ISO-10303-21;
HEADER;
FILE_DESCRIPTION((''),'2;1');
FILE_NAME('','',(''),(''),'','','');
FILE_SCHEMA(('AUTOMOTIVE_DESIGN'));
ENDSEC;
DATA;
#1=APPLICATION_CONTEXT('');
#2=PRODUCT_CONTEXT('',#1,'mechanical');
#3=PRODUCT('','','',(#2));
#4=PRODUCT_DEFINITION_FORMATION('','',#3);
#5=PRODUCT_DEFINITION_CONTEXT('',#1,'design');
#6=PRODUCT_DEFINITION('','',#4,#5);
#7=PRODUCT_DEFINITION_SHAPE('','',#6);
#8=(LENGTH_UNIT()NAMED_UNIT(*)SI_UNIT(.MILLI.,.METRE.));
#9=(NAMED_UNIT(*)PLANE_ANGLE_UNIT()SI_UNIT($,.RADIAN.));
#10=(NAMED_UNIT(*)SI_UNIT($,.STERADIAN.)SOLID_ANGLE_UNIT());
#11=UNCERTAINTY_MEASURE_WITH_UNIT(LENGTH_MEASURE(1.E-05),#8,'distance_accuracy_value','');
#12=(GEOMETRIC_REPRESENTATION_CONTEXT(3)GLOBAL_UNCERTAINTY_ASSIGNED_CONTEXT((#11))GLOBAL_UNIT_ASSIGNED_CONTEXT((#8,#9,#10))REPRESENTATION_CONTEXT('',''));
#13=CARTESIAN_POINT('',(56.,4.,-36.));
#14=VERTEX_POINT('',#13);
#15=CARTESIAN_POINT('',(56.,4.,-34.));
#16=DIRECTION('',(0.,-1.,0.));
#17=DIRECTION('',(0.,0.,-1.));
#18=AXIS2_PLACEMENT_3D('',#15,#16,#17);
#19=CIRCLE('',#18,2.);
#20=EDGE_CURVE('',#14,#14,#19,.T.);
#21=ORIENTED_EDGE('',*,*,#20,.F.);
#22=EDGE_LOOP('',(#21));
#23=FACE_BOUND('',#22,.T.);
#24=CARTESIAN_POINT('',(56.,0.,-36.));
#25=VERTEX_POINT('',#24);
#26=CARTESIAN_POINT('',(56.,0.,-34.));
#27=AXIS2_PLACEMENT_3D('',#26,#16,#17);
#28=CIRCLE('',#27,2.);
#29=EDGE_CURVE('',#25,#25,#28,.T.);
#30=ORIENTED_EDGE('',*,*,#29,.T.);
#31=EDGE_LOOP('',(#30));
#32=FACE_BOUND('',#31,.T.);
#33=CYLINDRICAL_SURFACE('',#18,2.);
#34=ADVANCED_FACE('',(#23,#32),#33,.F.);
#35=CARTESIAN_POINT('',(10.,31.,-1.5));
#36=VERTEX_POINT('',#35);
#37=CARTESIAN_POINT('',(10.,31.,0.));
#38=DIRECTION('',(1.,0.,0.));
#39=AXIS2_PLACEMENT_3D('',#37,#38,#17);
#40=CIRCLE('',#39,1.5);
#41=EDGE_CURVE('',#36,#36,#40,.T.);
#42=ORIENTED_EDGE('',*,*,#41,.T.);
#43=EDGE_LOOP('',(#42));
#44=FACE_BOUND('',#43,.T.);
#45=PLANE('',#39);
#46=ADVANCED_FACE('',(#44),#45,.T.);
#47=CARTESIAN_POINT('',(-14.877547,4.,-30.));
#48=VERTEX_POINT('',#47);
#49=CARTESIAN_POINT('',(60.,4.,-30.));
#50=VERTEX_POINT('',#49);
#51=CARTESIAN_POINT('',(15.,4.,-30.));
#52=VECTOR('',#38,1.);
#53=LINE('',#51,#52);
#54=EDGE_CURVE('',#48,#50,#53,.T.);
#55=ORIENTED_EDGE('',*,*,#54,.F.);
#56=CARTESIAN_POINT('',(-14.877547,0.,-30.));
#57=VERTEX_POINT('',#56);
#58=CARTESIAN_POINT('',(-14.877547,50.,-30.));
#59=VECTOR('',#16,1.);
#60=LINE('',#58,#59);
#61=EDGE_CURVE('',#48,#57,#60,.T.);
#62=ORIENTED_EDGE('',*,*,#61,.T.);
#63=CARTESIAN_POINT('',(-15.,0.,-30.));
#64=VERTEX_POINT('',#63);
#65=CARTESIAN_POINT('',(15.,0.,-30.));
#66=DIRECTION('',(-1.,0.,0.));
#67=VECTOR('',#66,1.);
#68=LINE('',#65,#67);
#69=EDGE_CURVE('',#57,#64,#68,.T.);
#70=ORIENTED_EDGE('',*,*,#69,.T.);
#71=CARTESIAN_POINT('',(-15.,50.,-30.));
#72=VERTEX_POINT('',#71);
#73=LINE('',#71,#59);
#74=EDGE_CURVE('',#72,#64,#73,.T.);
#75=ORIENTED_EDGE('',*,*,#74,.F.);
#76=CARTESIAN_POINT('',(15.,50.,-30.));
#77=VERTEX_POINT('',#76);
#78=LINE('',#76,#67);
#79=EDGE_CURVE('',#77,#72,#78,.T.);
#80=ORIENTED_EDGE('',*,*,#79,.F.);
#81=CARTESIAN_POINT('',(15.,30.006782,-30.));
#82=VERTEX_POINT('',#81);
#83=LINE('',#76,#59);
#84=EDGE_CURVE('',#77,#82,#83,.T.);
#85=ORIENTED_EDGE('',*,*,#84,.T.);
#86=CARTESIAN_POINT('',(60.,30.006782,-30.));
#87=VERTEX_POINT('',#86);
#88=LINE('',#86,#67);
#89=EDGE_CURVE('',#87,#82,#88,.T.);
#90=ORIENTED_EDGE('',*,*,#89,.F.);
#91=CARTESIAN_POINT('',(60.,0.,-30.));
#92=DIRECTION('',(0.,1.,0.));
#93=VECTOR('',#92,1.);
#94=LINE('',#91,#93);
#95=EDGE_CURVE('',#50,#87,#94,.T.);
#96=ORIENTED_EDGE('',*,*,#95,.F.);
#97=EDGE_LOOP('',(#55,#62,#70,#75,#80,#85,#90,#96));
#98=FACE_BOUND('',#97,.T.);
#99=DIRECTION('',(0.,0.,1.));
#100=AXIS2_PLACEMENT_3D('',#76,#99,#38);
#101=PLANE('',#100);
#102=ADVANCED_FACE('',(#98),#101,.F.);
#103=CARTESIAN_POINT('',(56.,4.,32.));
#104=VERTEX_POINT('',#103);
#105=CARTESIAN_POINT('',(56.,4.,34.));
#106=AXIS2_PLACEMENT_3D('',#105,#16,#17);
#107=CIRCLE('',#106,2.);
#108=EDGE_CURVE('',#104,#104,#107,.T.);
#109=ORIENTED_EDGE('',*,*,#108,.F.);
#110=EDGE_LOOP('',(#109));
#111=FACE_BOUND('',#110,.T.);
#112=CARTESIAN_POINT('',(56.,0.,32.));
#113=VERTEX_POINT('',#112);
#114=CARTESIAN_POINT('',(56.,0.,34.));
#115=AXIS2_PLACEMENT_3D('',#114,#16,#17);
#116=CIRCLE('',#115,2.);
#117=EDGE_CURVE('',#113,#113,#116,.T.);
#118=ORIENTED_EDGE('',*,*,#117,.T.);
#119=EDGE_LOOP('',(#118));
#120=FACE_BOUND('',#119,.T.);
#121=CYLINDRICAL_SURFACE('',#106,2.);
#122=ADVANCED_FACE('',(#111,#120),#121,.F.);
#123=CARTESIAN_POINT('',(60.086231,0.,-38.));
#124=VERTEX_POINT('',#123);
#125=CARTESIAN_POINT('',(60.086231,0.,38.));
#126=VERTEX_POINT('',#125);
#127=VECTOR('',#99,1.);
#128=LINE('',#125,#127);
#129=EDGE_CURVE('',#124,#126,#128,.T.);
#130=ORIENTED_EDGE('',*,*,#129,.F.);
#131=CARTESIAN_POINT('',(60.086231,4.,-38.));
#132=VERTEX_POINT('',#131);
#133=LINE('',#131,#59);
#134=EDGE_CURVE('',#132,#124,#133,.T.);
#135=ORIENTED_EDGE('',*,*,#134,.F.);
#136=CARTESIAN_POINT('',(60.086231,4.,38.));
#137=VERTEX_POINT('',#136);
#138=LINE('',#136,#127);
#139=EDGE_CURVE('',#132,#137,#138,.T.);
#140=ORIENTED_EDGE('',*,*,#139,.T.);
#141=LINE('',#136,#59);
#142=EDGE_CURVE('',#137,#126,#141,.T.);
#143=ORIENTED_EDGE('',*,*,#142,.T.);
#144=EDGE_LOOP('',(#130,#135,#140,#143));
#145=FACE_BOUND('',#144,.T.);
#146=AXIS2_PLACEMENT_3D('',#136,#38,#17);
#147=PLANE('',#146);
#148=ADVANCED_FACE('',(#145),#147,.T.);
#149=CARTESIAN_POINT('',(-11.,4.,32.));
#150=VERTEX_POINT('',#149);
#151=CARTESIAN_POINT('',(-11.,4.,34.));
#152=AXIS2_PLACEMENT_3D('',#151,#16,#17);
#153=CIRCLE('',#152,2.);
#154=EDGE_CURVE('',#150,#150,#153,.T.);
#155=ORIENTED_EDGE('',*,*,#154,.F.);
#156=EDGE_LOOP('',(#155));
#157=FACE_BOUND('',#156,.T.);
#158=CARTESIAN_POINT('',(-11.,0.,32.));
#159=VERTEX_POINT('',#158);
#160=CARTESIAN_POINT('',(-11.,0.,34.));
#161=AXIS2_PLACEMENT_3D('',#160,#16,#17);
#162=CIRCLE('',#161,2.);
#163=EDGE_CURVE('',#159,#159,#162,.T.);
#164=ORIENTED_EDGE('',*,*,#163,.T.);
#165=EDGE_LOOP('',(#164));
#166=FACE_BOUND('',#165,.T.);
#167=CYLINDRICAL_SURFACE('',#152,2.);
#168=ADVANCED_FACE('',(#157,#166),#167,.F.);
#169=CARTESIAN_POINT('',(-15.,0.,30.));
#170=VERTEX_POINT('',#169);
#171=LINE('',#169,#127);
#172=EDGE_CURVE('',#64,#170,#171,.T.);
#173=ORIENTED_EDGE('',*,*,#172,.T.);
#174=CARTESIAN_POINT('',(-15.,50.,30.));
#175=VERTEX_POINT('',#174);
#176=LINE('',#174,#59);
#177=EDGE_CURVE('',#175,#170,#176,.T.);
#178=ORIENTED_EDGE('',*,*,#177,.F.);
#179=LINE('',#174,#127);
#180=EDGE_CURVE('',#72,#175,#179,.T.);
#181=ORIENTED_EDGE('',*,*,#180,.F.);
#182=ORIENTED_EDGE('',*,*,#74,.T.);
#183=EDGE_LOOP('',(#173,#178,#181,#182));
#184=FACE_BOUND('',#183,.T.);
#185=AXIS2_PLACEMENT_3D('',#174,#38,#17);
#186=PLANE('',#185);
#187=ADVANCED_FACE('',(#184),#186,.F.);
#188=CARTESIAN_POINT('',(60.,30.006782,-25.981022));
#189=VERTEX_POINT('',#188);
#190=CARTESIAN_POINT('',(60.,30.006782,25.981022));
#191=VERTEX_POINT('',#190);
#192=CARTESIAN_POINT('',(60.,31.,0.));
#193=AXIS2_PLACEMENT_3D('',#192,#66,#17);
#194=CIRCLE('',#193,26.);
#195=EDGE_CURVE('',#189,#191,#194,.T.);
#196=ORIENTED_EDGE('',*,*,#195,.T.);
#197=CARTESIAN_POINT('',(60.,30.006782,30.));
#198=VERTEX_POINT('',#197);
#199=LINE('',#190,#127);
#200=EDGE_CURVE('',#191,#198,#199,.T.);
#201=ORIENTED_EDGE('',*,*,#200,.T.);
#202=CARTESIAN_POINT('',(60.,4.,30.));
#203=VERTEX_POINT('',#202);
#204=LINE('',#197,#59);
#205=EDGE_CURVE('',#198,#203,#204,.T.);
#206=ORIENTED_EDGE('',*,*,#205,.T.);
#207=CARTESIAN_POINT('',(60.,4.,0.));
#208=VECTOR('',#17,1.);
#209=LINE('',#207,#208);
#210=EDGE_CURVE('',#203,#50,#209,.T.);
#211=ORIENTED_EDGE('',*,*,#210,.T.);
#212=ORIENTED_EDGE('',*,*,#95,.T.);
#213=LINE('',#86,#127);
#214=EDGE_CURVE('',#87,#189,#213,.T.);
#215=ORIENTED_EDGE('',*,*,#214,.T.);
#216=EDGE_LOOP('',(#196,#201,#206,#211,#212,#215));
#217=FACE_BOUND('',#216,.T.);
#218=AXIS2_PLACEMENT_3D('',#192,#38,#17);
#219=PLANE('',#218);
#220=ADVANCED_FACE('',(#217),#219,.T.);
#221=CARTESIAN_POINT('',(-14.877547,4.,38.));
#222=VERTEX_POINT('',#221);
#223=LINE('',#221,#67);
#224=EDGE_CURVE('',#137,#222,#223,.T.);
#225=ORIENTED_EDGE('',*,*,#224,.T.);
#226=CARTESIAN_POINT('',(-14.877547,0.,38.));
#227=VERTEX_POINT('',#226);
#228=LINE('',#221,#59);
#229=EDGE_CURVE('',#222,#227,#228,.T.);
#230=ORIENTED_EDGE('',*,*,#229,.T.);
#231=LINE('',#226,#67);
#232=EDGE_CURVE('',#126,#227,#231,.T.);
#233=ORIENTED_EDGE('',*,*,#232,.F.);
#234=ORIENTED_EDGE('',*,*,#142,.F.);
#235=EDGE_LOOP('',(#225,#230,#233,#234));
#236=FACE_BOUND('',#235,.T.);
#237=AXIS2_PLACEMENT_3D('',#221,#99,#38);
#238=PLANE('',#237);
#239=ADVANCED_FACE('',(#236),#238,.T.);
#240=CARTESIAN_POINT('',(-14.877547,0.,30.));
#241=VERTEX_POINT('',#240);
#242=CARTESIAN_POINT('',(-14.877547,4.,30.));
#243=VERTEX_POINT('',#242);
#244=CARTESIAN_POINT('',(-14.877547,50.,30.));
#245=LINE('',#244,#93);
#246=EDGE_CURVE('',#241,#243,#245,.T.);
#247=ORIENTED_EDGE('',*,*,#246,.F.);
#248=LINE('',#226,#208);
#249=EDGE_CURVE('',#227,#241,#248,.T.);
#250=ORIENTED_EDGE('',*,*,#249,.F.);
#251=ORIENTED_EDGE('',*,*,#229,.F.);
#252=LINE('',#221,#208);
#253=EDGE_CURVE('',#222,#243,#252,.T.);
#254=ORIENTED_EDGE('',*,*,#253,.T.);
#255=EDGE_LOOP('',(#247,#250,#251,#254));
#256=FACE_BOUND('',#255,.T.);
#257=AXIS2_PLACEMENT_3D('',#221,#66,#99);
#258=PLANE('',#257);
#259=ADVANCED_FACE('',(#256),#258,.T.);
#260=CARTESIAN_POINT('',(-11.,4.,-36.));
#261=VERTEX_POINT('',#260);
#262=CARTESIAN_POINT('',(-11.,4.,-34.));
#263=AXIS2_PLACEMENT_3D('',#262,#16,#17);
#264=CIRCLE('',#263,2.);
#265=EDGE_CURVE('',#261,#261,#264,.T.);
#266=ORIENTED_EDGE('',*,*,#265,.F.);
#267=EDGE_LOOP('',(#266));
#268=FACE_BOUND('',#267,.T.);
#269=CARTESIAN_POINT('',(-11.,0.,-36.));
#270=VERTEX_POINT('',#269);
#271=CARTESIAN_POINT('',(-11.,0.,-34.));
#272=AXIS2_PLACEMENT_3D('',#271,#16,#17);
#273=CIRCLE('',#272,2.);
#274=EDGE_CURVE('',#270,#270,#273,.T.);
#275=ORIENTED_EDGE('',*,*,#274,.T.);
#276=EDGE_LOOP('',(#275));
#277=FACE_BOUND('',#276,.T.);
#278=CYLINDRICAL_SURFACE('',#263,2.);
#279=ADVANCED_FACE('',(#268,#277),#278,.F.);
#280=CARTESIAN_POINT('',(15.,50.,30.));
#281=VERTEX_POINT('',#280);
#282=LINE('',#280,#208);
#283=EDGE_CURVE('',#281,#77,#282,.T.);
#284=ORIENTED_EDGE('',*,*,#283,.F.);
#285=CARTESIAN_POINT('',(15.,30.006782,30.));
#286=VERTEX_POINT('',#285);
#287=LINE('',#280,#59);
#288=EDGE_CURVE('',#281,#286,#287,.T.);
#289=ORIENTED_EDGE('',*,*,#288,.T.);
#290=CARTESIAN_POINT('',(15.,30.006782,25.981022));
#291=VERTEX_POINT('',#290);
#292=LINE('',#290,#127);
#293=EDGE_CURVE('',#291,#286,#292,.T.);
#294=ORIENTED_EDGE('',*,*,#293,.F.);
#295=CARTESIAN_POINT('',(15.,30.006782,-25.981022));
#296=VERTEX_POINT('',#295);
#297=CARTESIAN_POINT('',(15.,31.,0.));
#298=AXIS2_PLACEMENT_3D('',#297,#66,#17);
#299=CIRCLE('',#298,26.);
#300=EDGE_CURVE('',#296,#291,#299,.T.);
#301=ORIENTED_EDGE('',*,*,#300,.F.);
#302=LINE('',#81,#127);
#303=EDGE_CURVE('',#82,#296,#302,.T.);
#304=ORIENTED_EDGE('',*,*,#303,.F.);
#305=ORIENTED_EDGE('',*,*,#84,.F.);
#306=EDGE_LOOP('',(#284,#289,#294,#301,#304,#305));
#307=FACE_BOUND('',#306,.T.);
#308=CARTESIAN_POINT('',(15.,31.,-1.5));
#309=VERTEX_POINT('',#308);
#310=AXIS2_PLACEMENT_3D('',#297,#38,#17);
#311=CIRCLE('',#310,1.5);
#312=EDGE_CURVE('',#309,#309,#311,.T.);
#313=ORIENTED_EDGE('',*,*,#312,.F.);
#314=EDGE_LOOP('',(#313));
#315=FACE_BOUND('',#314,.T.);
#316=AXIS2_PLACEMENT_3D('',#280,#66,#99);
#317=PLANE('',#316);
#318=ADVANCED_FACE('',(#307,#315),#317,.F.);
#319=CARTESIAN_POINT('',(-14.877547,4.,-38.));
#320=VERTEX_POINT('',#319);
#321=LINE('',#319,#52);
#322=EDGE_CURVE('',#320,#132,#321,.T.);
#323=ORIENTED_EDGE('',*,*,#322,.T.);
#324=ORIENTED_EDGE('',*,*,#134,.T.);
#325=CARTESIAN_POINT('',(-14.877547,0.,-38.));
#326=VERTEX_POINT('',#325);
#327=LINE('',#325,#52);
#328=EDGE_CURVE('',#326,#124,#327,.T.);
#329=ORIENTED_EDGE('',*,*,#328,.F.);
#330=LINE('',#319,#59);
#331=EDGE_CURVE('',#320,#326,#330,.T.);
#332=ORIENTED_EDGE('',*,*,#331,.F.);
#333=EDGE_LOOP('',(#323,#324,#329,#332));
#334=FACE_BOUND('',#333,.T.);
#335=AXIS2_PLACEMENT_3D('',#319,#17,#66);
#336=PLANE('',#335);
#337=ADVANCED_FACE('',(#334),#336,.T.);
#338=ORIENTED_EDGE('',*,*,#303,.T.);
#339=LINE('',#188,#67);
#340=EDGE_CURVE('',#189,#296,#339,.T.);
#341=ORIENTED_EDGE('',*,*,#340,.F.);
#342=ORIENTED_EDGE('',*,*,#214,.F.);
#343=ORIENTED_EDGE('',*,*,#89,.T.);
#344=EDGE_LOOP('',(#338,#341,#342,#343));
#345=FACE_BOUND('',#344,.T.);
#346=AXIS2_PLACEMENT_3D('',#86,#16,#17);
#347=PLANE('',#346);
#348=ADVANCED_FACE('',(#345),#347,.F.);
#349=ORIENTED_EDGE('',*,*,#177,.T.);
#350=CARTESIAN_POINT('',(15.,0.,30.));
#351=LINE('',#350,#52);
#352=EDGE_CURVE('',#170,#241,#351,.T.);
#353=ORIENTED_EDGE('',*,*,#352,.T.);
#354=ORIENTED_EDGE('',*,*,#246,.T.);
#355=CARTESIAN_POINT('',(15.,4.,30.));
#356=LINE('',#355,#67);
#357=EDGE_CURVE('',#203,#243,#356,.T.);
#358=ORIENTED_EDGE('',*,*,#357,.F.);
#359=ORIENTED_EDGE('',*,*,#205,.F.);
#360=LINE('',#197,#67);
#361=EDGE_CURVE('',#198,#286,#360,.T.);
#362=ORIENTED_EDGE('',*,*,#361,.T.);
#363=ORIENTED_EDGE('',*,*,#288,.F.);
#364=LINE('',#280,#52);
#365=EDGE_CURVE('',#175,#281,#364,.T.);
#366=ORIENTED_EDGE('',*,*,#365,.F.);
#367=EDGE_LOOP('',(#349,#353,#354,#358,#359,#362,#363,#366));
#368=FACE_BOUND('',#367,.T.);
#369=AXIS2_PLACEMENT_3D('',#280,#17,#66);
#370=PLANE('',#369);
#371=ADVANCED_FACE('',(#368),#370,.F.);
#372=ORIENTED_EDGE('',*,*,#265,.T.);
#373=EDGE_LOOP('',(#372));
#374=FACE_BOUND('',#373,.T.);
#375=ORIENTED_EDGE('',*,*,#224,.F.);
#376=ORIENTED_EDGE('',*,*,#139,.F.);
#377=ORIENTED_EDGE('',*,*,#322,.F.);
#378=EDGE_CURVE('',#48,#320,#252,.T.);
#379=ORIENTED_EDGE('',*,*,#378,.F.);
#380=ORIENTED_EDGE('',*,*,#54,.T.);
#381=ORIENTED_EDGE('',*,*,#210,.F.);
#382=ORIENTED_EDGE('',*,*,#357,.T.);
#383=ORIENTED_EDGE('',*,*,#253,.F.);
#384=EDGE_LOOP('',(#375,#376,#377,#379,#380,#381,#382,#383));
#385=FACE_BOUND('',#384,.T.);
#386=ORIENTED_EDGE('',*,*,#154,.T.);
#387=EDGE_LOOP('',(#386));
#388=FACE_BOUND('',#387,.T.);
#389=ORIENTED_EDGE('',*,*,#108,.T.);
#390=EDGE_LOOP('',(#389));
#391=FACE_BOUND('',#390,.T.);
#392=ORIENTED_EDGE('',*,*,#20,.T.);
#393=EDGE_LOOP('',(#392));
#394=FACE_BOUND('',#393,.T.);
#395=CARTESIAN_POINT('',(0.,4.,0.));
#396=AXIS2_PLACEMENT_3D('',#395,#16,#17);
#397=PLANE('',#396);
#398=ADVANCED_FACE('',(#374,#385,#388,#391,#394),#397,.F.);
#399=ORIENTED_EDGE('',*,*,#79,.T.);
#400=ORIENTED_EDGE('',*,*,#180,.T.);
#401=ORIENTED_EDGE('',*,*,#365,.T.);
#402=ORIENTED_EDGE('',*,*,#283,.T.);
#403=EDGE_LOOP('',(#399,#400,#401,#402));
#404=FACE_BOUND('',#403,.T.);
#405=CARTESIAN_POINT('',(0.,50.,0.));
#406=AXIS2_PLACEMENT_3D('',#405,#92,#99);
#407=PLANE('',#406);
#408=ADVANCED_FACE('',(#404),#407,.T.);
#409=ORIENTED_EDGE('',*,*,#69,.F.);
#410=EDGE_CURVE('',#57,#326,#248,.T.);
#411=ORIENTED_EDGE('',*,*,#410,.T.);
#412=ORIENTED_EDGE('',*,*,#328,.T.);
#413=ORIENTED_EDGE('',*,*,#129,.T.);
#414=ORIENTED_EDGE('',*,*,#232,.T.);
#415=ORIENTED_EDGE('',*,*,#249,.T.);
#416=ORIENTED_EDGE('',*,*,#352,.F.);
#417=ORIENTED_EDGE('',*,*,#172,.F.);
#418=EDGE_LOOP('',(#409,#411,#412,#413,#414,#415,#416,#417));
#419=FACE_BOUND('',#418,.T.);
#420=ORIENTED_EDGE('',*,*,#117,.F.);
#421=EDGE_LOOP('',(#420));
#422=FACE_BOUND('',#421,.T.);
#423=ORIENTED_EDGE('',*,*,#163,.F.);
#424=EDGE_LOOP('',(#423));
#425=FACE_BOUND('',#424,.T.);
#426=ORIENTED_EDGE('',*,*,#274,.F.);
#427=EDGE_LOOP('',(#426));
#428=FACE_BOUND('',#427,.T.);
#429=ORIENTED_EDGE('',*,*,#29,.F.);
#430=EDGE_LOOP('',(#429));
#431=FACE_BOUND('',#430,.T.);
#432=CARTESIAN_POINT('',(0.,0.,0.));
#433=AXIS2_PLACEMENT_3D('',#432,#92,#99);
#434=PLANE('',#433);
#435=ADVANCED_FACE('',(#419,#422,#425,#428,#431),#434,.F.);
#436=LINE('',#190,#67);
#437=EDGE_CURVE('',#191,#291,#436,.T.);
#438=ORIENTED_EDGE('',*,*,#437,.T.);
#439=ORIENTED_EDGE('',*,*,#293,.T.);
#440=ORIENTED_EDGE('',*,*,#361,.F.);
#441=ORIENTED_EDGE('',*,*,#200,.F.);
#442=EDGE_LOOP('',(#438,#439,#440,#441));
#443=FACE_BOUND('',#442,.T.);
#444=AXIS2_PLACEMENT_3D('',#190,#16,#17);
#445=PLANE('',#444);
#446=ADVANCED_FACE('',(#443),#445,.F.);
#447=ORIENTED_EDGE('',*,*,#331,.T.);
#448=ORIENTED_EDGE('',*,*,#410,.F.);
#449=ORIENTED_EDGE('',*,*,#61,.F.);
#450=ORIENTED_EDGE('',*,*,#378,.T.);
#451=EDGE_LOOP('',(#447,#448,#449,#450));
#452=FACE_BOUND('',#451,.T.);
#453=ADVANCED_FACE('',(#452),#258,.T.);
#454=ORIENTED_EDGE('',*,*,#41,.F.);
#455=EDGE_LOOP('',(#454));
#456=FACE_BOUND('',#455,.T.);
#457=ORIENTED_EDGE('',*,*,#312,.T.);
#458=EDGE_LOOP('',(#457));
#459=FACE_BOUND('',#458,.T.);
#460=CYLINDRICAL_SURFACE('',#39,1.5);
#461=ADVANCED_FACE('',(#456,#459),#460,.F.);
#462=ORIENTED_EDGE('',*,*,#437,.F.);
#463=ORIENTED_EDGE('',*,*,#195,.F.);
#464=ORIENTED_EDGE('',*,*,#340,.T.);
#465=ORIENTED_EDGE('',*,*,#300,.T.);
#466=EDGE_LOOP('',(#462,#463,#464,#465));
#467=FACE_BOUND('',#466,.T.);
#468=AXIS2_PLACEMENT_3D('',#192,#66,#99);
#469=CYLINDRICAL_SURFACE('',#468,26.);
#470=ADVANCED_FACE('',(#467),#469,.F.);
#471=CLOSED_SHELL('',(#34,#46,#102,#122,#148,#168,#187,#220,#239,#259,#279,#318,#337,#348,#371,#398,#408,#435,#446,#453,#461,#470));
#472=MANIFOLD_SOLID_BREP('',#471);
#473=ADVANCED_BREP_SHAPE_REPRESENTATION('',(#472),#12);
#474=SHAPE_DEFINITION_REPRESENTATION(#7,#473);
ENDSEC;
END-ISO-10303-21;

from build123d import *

# Parameters (mm, degrees)
SKETCH1_W           = 30
SKETCH1_H           = 60
BOSS_EXTRUDE1_DEPTH = 50
BOSS_EXTRUDE2_DEPTH = 45
SKETCH3_W           = 74.963778589
SKETCH3_H           = 76
SKETCH3_R           = 2
BOSS_EXTRUDE3_DEPTH = 4
SKETCH4_R           = 1.5
CUT_EXTRUDE1_DEPTH  = 5


with BuildPart() as part:
    # Sketch1 → Boss-Extrude1 (new body)
    with BuildSketch(Plane(origin=(0, 0, 0), x_dir=(1, 0, 0), z_dir=(0, 1, 0))):
        Rectangle(SKETCH1_W, SKETCH1_H)
    extrude(amount=BOSS_EXTRUDE1_DEPTH)

    # Sketch2 → Boss-Extrude2 (add)
    with BuildSketch(Plane(origin=(15, 0, 0), x_dir=(0, 0, -1), z_dir=(1, 0, 0))):
        with BuildLine():
            Line((-25.98102227, 30.006782085), (-30, 30.006782085))
            Line((-30, 30.006782085), (-30, 0))
            Line((-30, 0), (30, 0))
            Line((30, 0), (30, 30.006782085))
            Line((30, 30.006782085), (25.98102227, 30.006782085))
            ThreePointArc((25.98102227, 30.006782085), (0, 5), (-25.98102227, 30.006782085))
        make_face()
    extrude(amount=BOSS_EXTRUDE2_DEPTH)

    # Sketch3 → Boss-Extrude3 (add)
    with BuildSketch(Plane.XZ):
        with Locations((22.604342162, 0)):
            Rectangle(SKETCH3_W, SKETCH3_H)
        with Locations(Location((-11, 34, 0), (0, 0, 270))):
            Circle(SKETCH3_R, mode=Mode.SUBTRACT)
        with Locations(Location((56, 34, 0), (0, 0, 270))):
            Circle(SKETCH3_R, mode=Mode.SUBTRACT)
        with Locations(Location((56, -34, 0), (0, 0, 270))):
            Circle(SKETCH3_R, mode=Mode.SUBTRACT)
        with Locations(Location((-11, -34, 0), (0, 0, 270))):
            Circle(SKETCH3_R, mode=Mode.SUBTRACT)
    extrude(amount=-BOSS_EXTRUDE3_DEPTH)

    # Sketch4 → Cut-Extrude1 (cut)
    with BuildSketch(Plane(origin=(15, 0, 0), x_dir=(0, 0, -1), z_dir=(1, 0, 0))):
        with Locations((0, 31)):
            Circle(SKETCH4_R)
    extrude(amount=-CUT_EXTRUDE1_DEPTH, mode=Mode.SUBTRACT)


solid = part.part
